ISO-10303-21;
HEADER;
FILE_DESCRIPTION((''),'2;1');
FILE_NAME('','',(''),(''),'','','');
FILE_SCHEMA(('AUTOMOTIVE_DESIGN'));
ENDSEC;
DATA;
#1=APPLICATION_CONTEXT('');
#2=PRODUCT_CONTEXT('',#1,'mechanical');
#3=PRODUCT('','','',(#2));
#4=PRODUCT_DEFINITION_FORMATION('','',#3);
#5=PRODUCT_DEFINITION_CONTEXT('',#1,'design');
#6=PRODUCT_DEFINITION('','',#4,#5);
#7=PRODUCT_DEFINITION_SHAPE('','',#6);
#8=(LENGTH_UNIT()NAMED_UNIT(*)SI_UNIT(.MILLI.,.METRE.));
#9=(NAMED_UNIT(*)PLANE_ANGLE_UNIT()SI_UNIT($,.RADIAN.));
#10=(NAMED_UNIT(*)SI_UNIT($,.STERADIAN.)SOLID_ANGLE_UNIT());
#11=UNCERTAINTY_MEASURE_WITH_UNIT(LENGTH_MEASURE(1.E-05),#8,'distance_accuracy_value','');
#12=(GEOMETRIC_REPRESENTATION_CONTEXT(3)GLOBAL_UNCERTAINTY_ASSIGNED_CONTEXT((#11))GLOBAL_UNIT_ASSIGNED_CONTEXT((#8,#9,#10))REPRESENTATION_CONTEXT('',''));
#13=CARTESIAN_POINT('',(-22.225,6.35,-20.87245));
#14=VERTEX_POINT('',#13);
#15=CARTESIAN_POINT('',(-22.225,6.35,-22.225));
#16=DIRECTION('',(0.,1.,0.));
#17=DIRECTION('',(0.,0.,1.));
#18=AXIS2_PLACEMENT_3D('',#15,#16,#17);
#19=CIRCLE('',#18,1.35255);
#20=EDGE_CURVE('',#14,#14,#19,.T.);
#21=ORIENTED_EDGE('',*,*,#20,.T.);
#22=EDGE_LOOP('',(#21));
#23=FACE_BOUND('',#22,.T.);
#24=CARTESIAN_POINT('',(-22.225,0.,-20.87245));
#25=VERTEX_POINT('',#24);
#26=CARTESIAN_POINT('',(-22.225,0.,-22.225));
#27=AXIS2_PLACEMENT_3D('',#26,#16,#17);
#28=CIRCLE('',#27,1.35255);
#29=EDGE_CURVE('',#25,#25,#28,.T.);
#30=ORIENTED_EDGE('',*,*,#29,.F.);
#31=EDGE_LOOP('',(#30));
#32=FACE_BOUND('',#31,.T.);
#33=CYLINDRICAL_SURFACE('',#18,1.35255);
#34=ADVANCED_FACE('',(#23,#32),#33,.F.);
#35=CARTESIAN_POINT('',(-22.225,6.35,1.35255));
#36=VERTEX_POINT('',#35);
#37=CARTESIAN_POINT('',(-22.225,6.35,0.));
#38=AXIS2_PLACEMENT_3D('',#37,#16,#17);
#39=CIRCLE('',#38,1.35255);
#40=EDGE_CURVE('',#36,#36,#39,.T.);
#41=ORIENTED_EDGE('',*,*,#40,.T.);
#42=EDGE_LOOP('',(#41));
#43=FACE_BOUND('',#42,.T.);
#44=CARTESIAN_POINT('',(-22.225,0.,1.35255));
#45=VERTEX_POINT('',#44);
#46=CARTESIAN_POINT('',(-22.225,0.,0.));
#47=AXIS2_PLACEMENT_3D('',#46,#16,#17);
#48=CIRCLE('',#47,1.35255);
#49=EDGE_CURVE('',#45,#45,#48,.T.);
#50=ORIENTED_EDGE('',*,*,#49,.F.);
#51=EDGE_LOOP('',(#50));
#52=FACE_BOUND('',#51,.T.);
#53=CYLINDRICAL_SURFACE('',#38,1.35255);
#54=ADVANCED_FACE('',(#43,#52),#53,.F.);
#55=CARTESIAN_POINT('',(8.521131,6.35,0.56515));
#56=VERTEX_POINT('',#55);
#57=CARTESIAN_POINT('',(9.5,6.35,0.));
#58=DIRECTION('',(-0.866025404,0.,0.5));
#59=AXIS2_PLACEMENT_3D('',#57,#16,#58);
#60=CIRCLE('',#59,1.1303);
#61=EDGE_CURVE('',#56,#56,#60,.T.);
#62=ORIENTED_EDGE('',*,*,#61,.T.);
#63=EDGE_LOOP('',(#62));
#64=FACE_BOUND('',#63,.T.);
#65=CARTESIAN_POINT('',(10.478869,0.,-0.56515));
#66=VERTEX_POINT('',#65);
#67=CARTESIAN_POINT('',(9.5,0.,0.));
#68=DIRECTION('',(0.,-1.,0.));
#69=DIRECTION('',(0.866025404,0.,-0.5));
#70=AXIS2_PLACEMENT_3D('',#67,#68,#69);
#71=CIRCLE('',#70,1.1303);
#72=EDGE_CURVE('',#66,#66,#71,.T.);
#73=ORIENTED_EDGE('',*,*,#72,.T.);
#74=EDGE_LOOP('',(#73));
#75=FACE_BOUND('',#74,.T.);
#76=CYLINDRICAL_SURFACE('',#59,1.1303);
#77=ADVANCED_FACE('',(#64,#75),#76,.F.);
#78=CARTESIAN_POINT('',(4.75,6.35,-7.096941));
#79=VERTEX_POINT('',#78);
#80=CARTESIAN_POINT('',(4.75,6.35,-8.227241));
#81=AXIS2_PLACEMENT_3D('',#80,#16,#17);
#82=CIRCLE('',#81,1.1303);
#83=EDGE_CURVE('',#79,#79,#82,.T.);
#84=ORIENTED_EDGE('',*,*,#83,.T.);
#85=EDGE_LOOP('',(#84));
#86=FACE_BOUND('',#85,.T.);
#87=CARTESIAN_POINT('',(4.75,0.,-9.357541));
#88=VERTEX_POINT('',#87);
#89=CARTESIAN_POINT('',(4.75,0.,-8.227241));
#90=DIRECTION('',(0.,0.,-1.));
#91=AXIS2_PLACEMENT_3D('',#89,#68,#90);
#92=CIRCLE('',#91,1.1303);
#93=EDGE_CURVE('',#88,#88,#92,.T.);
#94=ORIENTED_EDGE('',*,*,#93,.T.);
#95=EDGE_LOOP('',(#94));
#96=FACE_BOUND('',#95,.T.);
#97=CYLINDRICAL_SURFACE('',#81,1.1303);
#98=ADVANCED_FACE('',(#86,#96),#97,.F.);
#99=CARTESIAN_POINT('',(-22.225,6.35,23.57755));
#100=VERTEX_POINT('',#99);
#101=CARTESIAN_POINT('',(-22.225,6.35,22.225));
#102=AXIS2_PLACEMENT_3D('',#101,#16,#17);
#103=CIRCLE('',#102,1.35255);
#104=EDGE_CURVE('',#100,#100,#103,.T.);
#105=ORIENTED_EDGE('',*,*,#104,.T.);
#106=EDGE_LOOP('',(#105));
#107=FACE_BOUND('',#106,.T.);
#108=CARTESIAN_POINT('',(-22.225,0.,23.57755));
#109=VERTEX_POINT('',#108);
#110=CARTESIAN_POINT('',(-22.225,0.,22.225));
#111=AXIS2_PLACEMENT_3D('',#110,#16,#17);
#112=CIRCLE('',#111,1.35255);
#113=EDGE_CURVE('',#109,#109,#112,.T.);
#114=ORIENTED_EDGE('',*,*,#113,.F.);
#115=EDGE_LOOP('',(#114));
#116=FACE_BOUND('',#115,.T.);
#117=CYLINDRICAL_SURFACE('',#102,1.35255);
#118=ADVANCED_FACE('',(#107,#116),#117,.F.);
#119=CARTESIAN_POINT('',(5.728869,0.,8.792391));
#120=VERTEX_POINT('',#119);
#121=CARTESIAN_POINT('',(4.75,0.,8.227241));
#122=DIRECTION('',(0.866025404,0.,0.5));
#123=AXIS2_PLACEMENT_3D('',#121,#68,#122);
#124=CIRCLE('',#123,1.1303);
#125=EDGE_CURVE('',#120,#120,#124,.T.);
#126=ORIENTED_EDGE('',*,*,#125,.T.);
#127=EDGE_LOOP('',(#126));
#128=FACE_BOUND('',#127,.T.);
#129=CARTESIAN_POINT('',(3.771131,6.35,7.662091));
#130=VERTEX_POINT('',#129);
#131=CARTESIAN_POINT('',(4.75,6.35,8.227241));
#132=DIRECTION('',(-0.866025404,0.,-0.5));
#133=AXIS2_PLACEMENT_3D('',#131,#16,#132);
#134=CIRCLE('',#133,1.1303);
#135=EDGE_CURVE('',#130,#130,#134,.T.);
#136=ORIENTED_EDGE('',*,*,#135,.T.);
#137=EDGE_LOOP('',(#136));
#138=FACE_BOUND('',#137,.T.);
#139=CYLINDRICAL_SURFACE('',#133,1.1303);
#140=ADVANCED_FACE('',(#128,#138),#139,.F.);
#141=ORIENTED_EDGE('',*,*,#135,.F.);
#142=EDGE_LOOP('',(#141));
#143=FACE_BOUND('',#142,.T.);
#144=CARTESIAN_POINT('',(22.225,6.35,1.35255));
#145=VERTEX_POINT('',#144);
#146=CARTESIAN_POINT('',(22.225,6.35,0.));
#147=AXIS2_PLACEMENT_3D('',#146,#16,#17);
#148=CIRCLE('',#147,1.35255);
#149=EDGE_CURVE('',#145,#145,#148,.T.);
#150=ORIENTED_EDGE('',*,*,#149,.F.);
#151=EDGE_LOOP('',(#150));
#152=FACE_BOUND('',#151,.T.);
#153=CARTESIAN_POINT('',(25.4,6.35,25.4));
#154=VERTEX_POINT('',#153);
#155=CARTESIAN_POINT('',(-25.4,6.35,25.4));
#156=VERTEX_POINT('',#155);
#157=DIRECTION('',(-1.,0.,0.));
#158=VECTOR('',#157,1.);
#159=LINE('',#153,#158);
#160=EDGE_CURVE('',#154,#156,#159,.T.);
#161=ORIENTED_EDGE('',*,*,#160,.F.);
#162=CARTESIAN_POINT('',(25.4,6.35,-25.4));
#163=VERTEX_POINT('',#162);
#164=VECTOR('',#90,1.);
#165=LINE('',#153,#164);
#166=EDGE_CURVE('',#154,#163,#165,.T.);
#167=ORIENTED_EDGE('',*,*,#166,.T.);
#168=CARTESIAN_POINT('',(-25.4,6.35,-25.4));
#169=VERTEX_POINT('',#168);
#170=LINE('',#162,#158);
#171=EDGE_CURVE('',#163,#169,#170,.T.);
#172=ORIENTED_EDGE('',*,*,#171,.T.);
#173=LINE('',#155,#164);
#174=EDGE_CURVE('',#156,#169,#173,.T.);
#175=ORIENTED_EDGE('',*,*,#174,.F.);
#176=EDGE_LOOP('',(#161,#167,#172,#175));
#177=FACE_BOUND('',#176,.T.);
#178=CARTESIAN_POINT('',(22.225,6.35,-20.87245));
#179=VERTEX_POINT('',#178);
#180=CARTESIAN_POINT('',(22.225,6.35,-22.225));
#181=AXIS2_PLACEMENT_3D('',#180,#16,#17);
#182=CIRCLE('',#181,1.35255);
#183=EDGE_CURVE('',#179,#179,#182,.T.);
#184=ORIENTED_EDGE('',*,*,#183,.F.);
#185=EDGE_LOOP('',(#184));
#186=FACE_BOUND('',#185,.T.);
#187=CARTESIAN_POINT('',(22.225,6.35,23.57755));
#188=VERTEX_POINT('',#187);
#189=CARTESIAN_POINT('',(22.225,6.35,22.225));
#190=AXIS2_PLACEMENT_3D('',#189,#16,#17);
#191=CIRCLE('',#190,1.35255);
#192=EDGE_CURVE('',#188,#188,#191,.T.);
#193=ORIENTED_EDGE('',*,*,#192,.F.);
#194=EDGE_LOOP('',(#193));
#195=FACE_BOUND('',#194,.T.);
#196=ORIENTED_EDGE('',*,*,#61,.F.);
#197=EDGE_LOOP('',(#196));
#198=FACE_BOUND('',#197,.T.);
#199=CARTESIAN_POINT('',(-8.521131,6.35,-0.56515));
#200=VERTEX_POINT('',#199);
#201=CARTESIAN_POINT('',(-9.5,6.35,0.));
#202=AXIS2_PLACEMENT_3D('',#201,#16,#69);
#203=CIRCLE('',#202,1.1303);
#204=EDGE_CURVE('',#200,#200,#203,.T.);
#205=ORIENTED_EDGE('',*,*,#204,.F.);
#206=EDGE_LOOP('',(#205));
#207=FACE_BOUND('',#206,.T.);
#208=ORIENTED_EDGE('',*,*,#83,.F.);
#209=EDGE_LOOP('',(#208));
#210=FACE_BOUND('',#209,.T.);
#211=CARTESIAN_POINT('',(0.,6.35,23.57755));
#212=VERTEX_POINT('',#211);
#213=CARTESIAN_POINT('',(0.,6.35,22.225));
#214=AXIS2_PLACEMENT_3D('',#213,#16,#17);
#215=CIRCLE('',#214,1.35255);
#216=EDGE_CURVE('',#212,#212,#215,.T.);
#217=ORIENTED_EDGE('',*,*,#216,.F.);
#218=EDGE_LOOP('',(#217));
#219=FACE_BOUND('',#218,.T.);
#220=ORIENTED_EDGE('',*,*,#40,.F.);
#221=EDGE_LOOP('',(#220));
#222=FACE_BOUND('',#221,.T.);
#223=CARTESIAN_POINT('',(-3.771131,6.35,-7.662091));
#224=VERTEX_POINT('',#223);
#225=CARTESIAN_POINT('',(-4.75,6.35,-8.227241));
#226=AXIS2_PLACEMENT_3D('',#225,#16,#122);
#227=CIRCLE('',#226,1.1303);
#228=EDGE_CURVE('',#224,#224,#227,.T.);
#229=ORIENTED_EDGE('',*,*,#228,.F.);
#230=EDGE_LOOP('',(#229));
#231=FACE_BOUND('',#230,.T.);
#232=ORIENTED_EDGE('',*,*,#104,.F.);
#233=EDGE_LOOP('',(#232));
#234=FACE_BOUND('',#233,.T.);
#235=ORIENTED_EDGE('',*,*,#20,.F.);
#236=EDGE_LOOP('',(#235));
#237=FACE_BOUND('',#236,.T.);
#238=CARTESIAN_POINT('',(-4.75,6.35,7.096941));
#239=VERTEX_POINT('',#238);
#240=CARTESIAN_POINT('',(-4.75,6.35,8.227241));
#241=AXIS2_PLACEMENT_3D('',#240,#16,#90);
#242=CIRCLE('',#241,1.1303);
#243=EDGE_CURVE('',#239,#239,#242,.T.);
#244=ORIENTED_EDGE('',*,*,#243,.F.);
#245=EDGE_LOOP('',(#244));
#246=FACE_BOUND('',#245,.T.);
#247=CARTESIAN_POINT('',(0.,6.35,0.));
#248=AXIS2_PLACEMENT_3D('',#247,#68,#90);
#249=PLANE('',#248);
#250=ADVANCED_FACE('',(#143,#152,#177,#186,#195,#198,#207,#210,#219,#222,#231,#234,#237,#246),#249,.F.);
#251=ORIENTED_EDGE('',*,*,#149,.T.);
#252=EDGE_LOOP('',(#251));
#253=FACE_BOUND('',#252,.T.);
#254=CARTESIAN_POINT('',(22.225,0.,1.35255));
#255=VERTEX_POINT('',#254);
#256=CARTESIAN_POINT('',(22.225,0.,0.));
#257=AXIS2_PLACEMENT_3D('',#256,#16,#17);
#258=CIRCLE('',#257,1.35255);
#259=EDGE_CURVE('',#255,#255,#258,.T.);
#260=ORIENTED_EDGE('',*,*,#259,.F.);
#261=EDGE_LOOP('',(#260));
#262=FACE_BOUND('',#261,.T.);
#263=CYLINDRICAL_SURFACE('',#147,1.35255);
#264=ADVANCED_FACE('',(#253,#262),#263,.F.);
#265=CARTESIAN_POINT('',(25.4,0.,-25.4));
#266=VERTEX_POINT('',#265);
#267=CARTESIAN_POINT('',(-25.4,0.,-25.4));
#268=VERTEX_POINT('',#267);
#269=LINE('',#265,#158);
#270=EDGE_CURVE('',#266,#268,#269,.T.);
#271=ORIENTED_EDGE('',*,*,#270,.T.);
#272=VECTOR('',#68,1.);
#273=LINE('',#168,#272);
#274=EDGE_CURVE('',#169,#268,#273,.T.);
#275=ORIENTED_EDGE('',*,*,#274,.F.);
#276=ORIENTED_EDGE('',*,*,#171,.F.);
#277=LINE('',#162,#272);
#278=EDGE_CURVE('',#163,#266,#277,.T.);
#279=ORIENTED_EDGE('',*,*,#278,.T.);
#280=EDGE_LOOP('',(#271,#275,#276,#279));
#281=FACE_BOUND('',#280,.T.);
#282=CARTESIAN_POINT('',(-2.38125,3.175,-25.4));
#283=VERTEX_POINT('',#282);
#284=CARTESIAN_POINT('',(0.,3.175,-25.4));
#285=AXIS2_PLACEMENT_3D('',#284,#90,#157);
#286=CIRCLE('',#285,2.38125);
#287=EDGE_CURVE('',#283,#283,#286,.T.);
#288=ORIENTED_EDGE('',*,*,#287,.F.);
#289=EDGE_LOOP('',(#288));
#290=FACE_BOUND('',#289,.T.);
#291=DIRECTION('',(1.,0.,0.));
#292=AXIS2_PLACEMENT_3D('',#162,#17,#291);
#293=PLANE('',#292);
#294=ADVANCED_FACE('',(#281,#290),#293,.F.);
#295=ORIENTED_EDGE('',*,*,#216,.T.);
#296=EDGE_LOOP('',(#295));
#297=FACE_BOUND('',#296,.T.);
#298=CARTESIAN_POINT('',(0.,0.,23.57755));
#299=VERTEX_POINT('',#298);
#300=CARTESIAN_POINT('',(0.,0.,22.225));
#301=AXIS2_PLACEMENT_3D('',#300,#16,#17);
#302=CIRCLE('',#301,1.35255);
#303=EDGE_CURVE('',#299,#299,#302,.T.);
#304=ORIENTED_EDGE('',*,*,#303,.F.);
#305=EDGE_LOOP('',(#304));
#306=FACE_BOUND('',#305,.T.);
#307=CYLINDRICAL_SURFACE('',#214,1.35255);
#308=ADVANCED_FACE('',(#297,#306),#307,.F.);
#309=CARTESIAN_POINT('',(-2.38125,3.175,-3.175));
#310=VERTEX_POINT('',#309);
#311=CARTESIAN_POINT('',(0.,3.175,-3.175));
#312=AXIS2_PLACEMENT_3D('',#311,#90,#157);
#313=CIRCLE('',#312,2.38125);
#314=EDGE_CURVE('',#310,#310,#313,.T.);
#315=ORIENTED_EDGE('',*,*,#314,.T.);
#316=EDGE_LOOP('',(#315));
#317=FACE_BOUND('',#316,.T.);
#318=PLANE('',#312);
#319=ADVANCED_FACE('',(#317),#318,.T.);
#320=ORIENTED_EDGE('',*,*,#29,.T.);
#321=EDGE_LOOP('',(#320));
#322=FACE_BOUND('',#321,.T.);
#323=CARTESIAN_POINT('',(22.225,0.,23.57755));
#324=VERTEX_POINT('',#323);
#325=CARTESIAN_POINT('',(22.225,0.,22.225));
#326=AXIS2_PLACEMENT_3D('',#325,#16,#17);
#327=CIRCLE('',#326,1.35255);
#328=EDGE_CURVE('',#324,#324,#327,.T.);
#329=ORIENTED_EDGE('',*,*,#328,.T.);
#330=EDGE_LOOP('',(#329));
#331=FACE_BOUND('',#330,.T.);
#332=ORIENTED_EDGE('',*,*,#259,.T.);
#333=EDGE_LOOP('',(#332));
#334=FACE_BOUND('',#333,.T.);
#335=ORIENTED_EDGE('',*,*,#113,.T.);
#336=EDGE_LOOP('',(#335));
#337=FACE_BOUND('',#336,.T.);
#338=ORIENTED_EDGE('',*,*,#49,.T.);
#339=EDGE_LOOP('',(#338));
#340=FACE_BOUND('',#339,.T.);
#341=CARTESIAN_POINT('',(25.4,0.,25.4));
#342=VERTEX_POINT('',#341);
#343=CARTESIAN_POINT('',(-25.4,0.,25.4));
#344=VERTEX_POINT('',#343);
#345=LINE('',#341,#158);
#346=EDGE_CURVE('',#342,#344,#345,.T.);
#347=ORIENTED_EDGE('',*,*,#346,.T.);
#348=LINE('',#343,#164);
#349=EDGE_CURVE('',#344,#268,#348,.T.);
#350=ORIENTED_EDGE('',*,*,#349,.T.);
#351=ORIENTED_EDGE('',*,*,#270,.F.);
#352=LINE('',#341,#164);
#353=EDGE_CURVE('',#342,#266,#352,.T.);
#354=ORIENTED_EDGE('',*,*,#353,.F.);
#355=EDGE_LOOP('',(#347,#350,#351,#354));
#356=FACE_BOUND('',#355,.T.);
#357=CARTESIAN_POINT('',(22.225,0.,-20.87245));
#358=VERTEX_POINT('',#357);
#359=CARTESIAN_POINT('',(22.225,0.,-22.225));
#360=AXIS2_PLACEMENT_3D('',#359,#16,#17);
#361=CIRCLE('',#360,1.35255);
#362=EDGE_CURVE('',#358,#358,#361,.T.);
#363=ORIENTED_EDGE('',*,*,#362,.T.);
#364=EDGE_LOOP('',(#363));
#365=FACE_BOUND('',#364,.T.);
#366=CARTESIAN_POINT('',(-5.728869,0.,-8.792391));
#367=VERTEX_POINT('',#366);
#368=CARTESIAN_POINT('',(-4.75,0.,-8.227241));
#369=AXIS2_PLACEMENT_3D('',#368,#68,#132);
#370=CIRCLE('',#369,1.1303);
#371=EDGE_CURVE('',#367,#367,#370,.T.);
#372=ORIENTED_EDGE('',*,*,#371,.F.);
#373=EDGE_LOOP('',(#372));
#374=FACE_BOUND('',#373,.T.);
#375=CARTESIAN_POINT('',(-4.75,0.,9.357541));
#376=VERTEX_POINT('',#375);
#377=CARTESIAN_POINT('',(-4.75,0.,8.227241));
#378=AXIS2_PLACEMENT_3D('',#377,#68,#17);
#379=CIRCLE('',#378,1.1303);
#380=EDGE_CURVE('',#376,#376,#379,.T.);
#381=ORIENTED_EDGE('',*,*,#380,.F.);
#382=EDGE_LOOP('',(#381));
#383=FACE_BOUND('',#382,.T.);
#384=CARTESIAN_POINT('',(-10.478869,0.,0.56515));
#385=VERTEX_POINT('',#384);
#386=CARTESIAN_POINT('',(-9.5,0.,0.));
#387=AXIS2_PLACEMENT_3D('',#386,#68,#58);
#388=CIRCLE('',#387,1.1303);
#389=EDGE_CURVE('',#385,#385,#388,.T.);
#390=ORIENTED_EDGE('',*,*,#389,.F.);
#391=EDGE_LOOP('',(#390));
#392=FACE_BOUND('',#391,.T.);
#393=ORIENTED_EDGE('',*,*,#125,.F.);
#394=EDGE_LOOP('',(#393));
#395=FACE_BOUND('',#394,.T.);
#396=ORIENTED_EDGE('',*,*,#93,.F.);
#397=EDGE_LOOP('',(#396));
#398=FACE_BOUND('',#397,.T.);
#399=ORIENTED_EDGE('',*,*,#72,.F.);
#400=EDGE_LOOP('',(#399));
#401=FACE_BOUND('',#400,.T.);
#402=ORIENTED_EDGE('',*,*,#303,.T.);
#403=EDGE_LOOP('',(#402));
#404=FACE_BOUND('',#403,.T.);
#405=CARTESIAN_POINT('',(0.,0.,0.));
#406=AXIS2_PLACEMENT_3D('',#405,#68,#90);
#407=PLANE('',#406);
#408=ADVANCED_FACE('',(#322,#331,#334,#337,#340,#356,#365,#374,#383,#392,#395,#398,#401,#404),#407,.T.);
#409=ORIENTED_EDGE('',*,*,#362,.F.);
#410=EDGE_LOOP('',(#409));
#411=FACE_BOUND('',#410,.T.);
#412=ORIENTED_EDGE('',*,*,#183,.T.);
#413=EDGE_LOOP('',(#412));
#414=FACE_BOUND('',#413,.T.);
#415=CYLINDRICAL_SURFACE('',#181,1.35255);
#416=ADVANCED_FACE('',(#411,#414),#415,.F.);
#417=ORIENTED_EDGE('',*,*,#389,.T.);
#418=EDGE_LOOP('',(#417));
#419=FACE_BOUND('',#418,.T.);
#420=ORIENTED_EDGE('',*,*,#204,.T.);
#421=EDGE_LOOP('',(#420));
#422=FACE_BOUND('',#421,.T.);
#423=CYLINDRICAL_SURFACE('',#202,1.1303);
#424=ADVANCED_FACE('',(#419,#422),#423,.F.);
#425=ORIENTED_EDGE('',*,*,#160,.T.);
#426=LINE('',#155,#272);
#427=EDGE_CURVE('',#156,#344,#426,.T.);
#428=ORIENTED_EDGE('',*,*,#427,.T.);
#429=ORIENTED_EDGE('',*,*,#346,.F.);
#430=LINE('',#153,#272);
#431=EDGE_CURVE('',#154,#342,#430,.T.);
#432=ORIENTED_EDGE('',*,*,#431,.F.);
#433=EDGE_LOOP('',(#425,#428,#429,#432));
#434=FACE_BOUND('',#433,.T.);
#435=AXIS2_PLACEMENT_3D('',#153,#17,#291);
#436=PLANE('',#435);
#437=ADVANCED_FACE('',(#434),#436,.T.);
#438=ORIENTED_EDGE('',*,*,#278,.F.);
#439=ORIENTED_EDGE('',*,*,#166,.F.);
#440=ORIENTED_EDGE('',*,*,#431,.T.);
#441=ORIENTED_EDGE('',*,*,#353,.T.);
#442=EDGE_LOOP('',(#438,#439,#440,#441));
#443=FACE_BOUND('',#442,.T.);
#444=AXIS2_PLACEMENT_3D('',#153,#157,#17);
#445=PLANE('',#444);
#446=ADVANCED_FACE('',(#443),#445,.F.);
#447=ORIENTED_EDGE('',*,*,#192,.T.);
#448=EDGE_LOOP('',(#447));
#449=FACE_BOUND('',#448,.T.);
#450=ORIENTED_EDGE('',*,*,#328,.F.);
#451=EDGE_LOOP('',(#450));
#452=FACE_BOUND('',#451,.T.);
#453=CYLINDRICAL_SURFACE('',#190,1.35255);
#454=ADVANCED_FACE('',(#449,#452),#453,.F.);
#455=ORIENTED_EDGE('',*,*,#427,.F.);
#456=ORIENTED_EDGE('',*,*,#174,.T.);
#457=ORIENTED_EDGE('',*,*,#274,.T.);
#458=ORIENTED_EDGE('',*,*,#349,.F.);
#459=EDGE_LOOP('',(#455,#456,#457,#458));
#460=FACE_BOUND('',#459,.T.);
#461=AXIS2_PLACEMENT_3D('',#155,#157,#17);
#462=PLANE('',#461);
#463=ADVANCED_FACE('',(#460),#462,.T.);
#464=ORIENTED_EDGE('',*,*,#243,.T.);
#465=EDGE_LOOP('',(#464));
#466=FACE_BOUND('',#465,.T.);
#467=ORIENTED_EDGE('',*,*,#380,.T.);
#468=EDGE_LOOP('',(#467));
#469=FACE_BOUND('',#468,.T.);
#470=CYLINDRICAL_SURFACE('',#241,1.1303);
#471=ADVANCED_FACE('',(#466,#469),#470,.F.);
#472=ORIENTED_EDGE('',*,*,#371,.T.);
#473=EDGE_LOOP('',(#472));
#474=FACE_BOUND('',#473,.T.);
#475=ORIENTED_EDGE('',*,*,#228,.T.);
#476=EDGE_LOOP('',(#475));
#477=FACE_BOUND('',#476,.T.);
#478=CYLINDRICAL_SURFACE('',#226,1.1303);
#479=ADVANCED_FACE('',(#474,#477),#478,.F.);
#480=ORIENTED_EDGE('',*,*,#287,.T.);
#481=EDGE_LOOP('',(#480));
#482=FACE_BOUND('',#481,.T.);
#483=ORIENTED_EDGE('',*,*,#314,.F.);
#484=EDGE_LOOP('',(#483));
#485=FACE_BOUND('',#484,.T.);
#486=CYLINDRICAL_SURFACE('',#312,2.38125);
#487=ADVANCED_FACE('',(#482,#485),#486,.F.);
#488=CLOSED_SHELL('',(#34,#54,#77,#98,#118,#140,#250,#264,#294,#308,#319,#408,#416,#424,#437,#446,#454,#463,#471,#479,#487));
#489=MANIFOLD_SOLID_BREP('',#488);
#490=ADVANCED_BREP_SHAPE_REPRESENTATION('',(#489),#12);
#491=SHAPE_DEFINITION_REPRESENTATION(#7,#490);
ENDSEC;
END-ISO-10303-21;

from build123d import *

# Parameters (mm, degrees)
SKETCH1_W             = 50.8
SKETCH1_H             = 50.8
BOSS_EXTRUDE1_DEPTH   = 6.35
CIRPATTERN1_COUNT     = 6
F_6_32_TAPPED_HOLE1_D = 2.7051
SKETCH7_R             = 2.38125
CUT_EXTRUDE1_DEPTH    = 22.225
F_6_32_TAPPED_HOLE2_D = 2.7051


with BuildPart() as part:
    # Sketch1 → Boss-Extrude1 (new body)
    with BuildSketch(Plane(origin=(0, 0, 0), x_dir=(1, 0, 0), z_dir=(0, 1, 0))):
        Rectangle(SKETCH1_W, SKETCH1_H)
    extrude(amount=BOSS_EXTRUDE1_DEPTH)

    # Sketch4 → 4-40 Tapped Hole1 (revolve, cut)
    with BuildSketch(Plane(origin=(4.75, 6.35, -8.227241336), x_dir=(0, 0, 1), z_dir=(1, 0, 0))):
        Polygon((0, 0), (0, 8.273752758), (1.1303, 7.5946), (1.1303, 0), align=None)
    f_4_40_tapped_hole1 = revolve(axis=Axis((4.75, 12.7, -8.227241336), (0, -1, 0)), mode=Mode.SUBTRACT)

    # CirPattern1: 4-40 Tapped Hole1 ×6 about axis
    cirpattern1_axis = Axis((0, 0, 0), (0, 1, 0))
    for i in range(1, CIRPATTERN1_COUNT):
        add(f_4_40_tapped_hole1.rotate(cirpattern1_axis, i * 360 / CIRPATTERN1_COUNT), mode=Mode.SUBTRACT)

    # 6-32 Tapped Hole1 (through all)
    with Locations(Plane(origin=(0, 6.35, 0), x_dir=(1, 0, 0), z_dir=(0, 1, 0))):
        with Locations((22.225, -22.225), (-22.225, 22.225), (-22.225, -22.225), (22.225, 22.225)):
            Hole(F_6_32_TAPPED_HOLE1_D / 2)

    # Sketch7 → Cut-Extrude1 (cut)
    with BuildSketch(Plane(origin=(0, 0, -25.4), x_dir=(-1, 0, 0), z_dir=(0, 0, -1))):
        with Locations((0, 3.175)):
            Circle(SKETCH7_R)
    extrude(amount=-CUT_EXTRUDE1_DEPTH, mode=Mode.SUBTRACT)

    # 6-32 Tapped Hole2 (through all)
    with Locations(Plane(origin=(0, 6.35, 0), x_dir=(1, 0, 0), z_dir=(0, 1, 0))):
        with Locations((22.225, 0), (-22.225, 0), (0, -22.225)):
            Hole(F_6_32_TAPPED_HOLE2_D / 2)


solid = part.part
